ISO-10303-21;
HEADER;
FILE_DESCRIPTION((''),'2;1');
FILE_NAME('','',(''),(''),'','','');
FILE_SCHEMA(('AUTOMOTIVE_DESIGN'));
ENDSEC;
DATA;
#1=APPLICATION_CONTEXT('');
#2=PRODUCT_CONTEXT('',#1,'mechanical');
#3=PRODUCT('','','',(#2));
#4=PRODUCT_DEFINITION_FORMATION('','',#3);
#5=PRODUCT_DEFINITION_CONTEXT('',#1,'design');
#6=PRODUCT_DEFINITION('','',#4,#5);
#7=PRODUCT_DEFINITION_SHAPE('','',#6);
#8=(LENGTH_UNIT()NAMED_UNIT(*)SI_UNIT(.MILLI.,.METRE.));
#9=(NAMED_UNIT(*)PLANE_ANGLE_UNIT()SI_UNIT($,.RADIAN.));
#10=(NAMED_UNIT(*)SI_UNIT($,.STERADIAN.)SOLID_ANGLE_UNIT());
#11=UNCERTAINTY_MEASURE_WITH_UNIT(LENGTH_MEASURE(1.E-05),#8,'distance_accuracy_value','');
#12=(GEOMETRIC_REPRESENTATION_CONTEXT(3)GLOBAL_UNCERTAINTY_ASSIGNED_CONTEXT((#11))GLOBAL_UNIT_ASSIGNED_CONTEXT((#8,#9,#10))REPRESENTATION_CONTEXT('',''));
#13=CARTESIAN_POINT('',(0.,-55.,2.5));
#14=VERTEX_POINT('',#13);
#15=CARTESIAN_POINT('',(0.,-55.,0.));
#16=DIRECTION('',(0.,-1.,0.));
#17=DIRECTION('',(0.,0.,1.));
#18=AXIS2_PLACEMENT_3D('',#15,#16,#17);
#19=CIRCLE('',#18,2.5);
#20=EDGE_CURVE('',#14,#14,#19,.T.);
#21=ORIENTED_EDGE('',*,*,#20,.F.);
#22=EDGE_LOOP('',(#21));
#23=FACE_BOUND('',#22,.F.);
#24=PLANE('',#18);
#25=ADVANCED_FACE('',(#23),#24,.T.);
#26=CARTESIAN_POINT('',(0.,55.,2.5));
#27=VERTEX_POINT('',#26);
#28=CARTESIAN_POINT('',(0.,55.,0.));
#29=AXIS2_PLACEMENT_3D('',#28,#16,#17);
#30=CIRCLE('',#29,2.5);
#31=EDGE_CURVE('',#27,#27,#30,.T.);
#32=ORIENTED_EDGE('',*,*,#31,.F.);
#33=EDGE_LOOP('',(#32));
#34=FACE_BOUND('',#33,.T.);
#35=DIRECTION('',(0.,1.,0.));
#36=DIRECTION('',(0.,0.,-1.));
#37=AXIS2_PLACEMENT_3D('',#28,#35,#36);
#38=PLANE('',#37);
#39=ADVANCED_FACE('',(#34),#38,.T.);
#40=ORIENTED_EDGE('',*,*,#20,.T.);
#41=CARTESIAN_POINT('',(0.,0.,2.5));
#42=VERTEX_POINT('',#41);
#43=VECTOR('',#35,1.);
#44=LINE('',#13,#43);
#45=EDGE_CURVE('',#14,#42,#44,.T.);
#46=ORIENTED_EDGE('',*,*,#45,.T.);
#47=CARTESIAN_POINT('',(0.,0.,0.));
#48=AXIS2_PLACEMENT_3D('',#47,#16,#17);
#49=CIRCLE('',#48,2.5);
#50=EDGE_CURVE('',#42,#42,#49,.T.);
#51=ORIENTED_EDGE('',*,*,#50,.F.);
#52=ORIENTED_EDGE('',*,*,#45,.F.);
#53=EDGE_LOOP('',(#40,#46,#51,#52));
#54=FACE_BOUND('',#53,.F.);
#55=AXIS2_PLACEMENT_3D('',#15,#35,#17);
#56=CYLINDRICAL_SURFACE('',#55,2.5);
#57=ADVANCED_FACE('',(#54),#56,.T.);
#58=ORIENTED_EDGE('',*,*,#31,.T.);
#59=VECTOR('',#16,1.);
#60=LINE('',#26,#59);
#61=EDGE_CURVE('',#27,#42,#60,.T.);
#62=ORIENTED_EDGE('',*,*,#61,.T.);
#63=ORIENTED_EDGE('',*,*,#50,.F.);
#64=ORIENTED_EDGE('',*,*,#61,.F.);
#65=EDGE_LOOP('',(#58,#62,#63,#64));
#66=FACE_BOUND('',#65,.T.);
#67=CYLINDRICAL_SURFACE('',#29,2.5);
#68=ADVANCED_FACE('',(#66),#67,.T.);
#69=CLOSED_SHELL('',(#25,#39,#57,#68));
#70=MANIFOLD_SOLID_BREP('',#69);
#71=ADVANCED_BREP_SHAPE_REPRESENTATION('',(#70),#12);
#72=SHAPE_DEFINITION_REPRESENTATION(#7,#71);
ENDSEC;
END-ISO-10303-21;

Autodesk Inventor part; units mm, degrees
ref_plane "YZ Plane" through (0, 0, 0) normal (1, 0, 0) x (0, 1, 0)
ref_plane "XZ Plane" through (0, 0, 0) normal (0, 1, 0) x (-1, 0, 0)
ref_plane "XY Plane" through (0, 0, 0) normal (0, 0, 1) x (1, 0, 0)
sketch "Skizze1" plane through (0, 0, 0) normal (1, 0, 0) x (0, 1, 0)
  line L0 (-55, 2.5) -> (0, 2.5)
  line L1 (0, 2.5) -> (0, 0)
  line L2 (0, 0) -> (-55, 0)
  line L3 (-55, 0) -> (-55, 2.5)
  point P0 (-55, 1.25)
  dimension "d2" = 55
  dimension "d3" = 2.5
revolve "Umdrehung1" add sketch "Skizze1" angle 360 about axis through (0, 0, 0) along (0, -1, 0)
thread "Gewinde1" size "M5x0.8" class "6g" standard "ANSI Metric M Profile" length 15 offset 40
mirror "Spiegeln1" about plane through (0, 0, 2.5) normal (0, 1, 0) of "Umdrehung1"
thread "Gewinde2" size "M5x0.8" class "6g" standard "ANSI Metric M Profile" length 15
properties part number "TS_V1_Fallmagazin_Verbindungsstange_int"
